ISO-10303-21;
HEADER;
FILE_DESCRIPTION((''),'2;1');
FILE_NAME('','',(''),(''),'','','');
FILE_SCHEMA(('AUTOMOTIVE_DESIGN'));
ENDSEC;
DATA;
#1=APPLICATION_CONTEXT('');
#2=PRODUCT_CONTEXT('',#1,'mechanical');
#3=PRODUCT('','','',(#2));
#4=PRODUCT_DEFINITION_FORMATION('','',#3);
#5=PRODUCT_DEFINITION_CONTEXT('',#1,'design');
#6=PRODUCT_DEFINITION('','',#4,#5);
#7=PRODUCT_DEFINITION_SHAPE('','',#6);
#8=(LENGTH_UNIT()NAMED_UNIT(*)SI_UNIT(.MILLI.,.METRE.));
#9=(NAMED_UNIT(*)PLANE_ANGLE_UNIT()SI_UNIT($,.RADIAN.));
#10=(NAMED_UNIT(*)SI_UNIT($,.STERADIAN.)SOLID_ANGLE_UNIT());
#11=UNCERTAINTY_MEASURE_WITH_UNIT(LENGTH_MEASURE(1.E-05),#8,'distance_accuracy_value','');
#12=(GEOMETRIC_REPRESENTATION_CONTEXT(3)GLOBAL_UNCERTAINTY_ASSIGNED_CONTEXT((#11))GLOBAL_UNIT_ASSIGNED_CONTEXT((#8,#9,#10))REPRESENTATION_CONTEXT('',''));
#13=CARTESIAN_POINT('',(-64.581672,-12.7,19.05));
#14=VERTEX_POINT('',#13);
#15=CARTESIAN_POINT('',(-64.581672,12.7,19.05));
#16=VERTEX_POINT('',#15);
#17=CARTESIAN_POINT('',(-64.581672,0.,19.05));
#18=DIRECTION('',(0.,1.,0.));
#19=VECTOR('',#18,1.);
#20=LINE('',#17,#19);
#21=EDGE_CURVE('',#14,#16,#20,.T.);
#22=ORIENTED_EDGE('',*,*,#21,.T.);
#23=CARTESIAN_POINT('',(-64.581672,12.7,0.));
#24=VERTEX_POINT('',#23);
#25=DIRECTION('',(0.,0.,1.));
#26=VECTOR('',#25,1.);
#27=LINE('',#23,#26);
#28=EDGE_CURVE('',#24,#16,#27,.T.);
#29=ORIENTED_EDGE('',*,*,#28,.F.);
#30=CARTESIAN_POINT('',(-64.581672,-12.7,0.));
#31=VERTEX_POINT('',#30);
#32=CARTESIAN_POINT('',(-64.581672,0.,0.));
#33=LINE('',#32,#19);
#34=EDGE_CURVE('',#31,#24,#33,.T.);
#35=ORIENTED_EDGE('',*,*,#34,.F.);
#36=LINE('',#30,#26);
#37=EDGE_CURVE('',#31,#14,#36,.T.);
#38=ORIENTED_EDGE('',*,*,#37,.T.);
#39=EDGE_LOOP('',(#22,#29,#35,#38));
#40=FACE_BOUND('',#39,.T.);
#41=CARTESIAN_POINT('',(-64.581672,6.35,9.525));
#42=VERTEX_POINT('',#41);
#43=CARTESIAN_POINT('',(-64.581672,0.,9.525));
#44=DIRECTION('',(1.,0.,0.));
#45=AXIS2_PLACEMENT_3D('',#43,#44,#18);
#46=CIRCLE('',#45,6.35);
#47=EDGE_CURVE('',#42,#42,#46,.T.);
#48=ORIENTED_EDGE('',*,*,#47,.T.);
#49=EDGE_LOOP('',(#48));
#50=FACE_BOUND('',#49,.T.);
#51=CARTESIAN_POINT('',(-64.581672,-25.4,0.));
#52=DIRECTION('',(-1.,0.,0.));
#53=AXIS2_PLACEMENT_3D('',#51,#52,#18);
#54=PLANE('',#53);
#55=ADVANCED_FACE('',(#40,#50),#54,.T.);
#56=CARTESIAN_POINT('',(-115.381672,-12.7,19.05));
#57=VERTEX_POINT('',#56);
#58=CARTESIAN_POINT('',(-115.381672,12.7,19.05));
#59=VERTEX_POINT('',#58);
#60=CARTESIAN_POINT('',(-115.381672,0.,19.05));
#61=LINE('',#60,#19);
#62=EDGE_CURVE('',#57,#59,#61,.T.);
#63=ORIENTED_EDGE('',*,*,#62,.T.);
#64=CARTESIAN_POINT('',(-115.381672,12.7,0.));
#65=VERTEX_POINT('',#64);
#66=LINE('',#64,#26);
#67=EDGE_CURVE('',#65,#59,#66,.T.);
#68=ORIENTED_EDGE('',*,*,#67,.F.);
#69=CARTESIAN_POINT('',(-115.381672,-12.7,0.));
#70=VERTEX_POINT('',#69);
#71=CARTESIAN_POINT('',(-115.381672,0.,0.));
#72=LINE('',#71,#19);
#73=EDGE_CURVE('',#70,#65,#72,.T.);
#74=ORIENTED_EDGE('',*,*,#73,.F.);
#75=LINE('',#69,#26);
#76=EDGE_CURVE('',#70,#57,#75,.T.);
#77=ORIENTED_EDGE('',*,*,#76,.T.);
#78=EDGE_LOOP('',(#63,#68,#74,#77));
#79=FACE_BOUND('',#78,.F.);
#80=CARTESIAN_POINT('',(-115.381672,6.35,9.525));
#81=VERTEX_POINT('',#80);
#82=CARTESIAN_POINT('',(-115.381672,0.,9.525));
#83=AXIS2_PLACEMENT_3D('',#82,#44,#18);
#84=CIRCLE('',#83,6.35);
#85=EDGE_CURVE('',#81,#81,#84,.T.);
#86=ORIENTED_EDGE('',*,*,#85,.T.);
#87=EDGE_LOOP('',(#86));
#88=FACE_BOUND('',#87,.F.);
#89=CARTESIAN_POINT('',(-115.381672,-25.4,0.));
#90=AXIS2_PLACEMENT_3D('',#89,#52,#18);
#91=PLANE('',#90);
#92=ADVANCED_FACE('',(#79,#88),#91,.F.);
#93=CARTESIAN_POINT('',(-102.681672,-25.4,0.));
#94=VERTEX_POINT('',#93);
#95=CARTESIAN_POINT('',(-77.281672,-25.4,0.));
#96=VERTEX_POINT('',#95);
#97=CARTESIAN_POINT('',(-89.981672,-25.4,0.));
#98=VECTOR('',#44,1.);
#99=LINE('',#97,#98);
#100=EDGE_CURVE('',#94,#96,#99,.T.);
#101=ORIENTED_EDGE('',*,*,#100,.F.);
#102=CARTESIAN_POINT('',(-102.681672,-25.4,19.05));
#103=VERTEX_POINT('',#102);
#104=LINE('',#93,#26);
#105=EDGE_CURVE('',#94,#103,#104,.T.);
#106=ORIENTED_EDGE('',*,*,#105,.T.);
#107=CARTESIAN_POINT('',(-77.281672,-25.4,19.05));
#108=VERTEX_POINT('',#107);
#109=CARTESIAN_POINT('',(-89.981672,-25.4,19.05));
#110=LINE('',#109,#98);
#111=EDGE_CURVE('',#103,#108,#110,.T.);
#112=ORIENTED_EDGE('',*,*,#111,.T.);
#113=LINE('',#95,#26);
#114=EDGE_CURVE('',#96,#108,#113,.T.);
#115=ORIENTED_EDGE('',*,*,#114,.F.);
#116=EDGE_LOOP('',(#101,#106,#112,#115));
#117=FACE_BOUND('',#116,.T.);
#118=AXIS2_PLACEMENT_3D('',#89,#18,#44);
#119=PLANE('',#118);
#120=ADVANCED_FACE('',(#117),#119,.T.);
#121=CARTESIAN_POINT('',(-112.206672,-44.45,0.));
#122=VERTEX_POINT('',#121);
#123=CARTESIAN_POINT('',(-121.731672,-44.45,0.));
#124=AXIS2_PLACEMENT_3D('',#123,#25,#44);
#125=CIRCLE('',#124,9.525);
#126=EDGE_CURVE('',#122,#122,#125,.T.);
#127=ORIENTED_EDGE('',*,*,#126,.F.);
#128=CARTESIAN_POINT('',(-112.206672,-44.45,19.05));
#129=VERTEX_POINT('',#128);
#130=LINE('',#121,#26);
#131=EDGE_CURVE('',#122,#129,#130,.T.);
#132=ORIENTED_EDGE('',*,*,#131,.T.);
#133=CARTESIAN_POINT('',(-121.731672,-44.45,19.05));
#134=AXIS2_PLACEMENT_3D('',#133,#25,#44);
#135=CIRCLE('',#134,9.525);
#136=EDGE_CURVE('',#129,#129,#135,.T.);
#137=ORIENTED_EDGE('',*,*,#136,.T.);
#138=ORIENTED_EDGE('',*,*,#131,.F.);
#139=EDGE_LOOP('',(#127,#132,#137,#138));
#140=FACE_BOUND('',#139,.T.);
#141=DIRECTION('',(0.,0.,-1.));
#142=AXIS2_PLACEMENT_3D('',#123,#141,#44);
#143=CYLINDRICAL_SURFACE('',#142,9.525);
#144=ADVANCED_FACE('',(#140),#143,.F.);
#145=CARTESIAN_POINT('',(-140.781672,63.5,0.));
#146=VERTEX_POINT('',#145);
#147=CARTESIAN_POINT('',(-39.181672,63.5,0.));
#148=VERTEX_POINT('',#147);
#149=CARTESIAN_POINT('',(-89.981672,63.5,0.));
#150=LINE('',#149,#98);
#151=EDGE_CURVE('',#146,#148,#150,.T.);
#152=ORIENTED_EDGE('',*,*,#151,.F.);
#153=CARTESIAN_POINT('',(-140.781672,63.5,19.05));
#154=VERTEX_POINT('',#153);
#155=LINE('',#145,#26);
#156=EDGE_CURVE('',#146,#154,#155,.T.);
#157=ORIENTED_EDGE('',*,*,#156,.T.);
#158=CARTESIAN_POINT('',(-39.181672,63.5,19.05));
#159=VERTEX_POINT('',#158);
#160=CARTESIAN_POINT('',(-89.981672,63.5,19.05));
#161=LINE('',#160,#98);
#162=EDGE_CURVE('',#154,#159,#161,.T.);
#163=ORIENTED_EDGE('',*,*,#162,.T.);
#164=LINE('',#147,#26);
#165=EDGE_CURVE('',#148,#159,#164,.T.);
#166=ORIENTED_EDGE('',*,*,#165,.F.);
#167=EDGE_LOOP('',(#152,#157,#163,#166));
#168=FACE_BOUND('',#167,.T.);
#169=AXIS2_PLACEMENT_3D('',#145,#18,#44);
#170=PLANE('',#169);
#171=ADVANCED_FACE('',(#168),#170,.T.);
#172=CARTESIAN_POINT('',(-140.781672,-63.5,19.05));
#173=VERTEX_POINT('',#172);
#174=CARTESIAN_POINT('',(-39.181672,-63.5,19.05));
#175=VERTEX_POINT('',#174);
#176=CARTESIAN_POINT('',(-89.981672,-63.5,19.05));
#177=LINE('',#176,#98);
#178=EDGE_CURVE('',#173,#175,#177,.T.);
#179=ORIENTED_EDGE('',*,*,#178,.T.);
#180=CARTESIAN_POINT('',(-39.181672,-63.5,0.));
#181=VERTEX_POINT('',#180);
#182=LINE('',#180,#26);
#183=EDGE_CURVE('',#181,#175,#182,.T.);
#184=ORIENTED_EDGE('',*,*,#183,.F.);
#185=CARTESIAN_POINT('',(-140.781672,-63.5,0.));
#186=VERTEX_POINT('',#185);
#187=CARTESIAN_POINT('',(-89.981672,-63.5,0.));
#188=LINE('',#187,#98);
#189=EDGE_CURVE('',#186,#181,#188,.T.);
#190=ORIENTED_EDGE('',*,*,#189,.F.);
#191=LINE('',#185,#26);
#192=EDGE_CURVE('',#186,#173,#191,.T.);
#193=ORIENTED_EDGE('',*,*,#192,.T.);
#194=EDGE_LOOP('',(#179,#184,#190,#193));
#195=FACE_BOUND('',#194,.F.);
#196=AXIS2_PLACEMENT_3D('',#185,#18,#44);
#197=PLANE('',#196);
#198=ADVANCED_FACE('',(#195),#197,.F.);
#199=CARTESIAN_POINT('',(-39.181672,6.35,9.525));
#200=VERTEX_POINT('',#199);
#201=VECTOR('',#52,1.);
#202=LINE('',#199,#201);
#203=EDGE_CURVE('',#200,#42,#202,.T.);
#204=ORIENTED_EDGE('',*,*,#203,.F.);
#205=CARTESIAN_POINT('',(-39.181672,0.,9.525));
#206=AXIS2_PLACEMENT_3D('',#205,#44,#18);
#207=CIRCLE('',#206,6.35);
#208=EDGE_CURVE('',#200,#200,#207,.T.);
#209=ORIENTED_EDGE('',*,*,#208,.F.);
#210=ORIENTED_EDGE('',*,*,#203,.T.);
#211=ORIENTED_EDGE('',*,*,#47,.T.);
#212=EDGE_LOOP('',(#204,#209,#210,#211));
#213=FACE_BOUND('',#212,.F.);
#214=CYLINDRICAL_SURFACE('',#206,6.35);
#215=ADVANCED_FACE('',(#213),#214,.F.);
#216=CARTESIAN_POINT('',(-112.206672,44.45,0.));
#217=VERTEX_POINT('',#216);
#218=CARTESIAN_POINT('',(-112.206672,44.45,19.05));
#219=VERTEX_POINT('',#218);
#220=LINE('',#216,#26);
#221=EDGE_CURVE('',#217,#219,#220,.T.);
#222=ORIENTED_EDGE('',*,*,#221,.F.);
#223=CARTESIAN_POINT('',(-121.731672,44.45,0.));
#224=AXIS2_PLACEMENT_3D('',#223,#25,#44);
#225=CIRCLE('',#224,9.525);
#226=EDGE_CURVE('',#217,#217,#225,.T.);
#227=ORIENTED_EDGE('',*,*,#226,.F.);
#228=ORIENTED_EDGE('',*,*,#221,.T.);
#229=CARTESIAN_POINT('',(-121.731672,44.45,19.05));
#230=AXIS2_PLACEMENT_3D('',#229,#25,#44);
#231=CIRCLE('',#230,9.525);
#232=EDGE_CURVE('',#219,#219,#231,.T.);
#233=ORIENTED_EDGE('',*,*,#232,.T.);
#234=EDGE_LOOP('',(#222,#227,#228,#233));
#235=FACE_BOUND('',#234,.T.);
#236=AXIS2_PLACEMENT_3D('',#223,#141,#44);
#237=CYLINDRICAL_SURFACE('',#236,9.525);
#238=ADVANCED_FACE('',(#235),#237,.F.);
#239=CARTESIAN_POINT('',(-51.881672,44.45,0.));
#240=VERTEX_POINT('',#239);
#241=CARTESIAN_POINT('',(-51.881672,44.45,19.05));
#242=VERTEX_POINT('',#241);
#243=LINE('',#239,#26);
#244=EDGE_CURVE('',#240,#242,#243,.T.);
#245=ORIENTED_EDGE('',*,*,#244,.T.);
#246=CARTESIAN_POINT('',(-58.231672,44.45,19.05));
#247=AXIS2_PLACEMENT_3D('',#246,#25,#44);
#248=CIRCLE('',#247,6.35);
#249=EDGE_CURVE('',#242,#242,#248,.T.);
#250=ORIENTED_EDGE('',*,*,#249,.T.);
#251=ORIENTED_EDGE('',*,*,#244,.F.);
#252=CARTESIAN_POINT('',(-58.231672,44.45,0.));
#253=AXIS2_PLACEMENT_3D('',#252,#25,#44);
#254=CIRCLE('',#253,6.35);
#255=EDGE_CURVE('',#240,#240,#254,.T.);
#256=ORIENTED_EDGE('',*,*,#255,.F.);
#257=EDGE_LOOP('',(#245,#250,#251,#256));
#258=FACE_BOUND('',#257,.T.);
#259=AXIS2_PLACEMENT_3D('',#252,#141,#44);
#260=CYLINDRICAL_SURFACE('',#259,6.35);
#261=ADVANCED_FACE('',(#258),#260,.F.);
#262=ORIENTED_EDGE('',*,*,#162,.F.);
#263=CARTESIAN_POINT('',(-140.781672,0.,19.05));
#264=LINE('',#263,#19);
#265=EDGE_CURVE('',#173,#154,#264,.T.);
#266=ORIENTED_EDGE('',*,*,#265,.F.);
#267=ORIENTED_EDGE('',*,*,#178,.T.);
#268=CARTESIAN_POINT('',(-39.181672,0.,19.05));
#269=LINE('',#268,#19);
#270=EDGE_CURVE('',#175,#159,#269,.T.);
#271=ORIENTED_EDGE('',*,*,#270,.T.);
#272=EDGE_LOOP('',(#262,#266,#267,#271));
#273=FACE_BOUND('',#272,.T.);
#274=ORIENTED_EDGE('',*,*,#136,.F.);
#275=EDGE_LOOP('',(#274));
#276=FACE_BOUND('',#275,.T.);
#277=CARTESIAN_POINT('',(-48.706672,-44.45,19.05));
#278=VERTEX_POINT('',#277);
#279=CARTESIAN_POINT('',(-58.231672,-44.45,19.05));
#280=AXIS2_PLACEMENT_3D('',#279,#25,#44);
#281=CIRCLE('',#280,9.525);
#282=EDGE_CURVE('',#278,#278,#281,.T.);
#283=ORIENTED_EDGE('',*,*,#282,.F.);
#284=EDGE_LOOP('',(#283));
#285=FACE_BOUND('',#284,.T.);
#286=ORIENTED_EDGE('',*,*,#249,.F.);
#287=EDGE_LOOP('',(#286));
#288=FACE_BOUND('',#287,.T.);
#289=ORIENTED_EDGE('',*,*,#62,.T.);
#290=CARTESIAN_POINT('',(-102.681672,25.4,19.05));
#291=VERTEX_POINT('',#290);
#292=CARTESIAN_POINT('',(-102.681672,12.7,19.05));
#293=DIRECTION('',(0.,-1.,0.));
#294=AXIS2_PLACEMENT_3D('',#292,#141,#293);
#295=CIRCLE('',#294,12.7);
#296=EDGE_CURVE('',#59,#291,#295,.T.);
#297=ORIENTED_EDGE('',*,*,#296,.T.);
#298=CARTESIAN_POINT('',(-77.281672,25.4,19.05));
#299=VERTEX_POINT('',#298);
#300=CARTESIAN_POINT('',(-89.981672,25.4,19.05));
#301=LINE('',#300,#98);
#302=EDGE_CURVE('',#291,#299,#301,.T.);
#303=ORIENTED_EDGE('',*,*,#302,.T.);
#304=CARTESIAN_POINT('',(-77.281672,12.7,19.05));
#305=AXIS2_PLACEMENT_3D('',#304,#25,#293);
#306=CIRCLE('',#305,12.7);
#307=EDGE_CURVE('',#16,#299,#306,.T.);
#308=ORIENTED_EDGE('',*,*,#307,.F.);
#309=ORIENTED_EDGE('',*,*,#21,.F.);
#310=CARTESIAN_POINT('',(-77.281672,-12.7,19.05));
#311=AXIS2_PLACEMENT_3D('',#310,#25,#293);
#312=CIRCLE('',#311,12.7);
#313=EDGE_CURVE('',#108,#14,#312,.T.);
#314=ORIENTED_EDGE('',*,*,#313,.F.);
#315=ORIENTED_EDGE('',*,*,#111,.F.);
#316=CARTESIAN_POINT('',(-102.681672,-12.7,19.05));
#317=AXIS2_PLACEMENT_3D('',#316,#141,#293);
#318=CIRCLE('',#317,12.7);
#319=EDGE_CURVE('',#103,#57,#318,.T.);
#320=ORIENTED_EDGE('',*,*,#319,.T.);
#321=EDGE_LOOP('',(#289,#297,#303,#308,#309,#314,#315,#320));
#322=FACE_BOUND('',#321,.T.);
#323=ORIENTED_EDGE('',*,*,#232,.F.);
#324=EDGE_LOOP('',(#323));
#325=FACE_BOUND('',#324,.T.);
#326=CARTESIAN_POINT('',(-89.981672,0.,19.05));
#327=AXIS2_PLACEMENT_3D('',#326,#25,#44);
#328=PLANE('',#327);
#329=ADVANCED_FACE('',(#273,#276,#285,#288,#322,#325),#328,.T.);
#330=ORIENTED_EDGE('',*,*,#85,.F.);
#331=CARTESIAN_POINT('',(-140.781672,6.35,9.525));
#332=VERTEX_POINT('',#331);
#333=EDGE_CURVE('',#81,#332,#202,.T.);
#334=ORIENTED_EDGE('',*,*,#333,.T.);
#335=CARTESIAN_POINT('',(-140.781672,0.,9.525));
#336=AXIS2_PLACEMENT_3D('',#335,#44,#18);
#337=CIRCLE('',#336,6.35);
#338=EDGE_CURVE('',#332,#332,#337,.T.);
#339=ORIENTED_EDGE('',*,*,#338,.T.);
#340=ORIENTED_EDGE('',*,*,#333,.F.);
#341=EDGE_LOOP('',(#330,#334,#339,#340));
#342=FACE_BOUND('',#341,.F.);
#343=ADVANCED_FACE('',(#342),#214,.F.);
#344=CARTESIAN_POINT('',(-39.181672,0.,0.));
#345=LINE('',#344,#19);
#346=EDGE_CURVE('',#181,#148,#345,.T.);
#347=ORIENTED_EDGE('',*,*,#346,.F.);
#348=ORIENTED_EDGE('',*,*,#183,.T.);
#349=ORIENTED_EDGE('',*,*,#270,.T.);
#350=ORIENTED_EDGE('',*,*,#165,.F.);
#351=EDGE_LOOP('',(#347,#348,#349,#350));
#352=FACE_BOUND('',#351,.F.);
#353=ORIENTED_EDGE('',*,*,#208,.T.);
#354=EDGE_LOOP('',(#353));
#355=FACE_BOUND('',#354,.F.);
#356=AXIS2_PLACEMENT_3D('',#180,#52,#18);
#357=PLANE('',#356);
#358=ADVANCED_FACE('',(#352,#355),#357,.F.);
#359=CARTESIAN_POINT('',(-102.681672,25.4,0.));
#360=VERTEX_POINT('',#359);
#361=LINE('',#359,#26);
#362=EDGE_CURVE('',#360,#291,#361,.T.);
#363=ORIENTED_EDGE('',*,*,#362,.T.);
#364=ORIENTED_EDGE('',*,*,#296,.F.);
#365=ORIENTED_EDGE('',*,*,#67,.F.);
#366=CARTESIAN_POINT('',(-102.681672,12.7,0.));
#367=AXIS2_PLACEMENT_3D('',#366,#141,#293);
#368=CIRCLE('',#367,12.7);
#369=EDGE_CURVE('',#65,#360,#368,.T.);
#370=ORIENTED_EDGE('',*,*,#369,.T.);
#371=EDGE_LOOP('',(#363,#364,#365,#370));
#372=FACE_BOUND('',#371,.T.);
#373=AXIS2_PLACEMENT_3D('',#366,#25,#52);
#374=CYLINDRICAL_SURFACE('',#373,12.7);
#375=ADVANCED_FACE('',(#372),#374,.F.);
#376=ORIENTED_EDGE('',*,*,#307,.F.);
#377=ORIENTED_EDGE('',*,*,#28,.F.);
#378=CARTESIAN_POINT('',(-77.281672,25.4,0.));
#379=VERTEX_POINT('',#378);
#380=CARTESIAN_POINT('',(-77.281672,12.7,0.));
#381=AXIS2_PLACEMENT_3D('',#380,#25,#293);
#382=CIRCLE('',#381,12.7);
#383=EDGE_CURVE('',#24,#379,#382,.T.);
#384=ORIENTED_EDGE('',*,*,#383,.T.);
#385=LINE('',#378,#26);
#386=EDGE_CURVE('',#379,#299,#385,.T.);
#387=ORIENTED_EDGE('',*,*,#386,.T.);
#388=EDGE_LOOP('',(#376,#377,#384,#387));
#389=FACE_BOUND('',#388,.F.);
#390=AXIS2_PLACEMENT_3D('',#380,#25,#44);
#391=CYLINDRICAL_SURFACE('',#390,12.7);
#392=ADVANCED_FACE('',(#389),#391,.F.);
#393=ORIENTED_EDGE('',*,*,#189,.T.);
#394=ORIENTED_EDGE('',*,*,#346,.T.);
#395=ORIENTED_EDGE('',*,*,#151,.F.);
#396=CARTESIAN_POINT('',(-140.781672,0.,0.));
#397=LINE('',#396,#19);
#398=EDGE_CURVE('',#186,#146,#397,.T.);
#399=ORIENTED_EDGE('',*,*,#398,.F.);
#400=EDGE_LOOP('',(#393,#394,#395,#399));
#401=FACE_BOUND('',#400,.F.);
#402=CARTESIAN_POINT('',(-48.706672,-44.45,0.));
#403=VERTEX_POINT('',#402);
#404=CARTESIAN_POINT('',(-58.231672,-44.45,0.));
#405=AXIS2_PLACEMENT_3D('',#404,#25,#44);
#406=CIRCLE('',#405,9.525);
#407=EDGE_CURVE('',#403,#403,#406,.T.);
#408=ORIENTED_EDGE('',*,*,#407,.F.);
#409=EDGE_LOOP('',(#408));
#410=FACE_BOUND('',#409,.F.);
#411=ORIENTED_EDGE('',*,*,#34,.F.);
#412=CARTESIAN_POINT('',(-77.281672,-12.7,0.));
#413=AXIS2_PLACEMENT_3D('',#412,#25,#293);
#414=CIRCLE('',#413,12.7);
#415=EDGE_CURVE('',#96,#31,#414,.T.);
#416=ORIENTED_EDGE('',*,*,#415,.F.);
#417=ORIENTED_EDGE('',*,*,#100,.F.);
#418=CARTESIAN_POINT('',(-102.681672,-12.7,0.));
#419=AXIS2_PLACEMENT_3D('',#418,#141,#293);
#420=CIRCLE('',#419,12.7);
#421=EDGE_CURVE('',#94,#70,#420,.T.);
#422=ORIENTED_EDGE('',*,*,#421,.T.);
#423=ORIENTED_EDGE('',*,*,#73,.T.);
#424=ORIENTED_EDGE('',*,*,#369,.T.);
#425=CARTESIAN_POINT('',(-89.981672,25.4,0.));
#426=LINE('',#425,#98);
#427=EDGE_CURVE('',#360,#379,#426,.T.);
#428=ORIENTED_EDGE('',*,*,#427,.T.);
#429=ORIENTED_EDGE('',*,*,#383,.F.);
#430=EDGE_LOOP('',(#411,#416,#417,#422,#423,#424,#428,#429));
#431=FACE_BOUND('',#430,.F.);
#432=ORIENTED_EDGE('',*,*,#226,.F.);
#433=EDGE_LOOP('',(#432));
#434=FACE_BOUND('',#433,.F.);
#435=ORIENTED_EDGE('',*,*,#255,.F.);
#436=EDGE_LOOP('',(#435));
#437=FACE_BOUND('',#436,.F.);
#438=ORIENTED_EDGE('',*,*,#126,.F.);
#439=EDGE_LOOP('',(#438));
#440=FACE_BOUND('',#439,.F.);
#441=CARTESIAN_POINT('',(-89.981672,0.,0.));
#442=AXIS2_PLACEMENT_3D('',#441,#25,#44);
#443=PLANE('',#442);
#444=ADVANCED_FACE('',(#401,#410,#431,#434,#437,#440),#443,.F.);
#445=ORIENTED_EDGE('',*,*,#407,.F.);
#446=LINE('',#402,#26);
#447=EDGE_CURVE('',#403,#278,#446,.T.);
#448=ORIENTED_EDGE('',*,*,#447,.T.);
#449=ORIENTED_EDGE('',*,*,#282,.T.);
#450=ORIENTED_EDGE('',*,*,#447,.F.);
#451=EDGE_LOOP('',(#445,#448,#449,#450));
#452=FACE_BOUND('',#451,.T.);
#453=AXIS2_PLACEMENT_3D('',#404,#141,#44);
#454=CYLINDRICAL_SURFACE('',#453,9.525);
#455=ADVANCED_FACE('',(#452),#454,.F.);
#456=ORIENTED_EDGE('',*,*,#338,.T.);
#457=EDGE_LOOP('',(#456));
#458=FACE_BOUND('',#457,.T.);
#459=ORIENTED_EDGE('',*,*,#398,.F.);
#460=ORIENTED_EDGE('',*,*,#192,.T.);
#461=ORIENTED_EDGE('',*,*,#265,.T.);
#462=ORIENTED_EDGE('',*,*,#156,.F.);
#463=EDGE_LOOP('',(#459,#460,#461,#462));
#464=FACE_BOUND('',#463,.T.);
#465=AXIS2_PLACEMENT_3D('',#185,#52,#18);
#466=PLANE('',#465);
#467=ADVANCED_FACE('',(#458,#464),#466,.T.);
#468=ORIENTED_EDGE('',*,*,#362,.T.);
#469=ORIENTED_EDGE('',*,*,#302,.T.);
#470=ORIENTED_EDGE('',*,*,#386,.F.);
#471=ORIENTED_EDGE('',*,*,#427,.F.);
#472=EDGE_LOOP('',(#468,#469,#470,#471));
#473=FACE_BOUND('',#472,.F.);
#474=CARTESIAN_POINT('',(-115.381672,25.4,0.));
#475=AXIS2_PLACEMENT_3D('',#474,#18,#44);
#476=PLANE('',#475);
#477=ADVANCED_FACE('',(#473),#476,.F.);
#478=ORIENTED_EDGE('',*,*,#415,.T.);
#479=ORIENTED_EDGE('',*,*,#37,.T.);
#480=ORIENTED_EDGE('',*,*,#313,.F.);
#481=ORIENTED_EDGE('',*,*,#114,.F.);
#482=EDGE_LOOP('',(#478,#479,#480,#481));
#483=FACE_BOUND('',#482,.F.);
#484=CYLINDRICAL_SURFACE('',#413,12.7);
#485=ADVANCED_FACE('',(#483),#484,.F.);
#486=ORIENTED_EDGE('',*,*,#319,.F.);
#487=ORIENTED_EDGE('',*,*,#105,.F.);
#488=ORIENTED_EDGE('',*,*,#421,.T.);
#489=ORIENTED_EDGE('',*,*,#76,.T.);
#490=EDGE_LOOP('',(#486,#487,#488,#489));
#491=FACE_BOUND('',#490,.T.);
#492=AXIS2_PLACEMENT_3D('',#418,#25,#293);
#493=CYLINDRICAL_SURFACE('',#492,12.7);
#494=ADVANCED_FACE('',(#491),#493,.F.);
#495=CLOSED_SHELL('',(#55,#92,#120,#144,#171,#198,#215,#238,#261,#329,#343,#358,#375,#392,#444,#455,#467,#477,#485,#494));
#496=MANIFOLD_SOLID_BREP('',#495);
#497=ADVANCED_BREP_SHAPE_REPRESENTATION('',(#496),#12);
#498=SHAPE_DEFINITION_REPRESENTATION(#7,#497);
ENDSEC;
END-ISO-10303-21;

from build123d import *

# Parameters (mm, degrees)
F0_W     = 101.6
F0_H     = 127
F0_R     = 9.525
F0_W_2   = 50.8
F0_H_2   = 50.8
F0_R_2   = 6.35
F1_DEPTH = 19.05
F2_R     = 12.7
F3_R     = 6.35
F4_DEPTH = 101.601


with BuildPart() as f1:
    # F0 (on Top) → F1 (new body)
    with BuildSketch(Plane.XY):
        with Locations((-89.981672, 0)):
            Rectangle(F0_W, F0_H)
        with Locations((-121.731672, -44.45)):
            Circle(F0_R, mode=Mode.SUBTRACT)
        with Locations((-58.231672, -44.45)):
            Circle(F0_R, mode=Mode.SUBTRACT)
        with Locations((-121.731672, 44.45)):
            Circle(F0_R, mode=Mode.SUBTRACT)
        with Locations((-89.981672, 0)):
            Rectangle(F0_W_2, F0_H_2, mode=Mode.SUBTRACT)
        with Locations((-58.231672, 44.45)):
            Circle(F0_R_2, mode=Mode.SUBTRACT)
    extrude(amount=F1_DEPTH)

    # F2
    f2_edges = [f1.edges().sort_by_distance(p)[0] for p in [
        (-115.381672, -25.4, 9.525),
        (-64.581672, -25.4, 9.525),
        (-64.581672, 25.4, 9.525),
        (-115.381672, 25.4, 9.525),
    ]]
    fillet(f2_edges, radius=F2_R)

    # F3 (on face) → F4 (cut, through all)
    with BuildSketch(Plane.YZ.offset(-39.181672)):
        with Locations((0, 9.525)):
            Circle(F3_R)
    extrude(amount=-F4_DEPTH, mode=Mode.SUBTRACT)


solid = f1.part
